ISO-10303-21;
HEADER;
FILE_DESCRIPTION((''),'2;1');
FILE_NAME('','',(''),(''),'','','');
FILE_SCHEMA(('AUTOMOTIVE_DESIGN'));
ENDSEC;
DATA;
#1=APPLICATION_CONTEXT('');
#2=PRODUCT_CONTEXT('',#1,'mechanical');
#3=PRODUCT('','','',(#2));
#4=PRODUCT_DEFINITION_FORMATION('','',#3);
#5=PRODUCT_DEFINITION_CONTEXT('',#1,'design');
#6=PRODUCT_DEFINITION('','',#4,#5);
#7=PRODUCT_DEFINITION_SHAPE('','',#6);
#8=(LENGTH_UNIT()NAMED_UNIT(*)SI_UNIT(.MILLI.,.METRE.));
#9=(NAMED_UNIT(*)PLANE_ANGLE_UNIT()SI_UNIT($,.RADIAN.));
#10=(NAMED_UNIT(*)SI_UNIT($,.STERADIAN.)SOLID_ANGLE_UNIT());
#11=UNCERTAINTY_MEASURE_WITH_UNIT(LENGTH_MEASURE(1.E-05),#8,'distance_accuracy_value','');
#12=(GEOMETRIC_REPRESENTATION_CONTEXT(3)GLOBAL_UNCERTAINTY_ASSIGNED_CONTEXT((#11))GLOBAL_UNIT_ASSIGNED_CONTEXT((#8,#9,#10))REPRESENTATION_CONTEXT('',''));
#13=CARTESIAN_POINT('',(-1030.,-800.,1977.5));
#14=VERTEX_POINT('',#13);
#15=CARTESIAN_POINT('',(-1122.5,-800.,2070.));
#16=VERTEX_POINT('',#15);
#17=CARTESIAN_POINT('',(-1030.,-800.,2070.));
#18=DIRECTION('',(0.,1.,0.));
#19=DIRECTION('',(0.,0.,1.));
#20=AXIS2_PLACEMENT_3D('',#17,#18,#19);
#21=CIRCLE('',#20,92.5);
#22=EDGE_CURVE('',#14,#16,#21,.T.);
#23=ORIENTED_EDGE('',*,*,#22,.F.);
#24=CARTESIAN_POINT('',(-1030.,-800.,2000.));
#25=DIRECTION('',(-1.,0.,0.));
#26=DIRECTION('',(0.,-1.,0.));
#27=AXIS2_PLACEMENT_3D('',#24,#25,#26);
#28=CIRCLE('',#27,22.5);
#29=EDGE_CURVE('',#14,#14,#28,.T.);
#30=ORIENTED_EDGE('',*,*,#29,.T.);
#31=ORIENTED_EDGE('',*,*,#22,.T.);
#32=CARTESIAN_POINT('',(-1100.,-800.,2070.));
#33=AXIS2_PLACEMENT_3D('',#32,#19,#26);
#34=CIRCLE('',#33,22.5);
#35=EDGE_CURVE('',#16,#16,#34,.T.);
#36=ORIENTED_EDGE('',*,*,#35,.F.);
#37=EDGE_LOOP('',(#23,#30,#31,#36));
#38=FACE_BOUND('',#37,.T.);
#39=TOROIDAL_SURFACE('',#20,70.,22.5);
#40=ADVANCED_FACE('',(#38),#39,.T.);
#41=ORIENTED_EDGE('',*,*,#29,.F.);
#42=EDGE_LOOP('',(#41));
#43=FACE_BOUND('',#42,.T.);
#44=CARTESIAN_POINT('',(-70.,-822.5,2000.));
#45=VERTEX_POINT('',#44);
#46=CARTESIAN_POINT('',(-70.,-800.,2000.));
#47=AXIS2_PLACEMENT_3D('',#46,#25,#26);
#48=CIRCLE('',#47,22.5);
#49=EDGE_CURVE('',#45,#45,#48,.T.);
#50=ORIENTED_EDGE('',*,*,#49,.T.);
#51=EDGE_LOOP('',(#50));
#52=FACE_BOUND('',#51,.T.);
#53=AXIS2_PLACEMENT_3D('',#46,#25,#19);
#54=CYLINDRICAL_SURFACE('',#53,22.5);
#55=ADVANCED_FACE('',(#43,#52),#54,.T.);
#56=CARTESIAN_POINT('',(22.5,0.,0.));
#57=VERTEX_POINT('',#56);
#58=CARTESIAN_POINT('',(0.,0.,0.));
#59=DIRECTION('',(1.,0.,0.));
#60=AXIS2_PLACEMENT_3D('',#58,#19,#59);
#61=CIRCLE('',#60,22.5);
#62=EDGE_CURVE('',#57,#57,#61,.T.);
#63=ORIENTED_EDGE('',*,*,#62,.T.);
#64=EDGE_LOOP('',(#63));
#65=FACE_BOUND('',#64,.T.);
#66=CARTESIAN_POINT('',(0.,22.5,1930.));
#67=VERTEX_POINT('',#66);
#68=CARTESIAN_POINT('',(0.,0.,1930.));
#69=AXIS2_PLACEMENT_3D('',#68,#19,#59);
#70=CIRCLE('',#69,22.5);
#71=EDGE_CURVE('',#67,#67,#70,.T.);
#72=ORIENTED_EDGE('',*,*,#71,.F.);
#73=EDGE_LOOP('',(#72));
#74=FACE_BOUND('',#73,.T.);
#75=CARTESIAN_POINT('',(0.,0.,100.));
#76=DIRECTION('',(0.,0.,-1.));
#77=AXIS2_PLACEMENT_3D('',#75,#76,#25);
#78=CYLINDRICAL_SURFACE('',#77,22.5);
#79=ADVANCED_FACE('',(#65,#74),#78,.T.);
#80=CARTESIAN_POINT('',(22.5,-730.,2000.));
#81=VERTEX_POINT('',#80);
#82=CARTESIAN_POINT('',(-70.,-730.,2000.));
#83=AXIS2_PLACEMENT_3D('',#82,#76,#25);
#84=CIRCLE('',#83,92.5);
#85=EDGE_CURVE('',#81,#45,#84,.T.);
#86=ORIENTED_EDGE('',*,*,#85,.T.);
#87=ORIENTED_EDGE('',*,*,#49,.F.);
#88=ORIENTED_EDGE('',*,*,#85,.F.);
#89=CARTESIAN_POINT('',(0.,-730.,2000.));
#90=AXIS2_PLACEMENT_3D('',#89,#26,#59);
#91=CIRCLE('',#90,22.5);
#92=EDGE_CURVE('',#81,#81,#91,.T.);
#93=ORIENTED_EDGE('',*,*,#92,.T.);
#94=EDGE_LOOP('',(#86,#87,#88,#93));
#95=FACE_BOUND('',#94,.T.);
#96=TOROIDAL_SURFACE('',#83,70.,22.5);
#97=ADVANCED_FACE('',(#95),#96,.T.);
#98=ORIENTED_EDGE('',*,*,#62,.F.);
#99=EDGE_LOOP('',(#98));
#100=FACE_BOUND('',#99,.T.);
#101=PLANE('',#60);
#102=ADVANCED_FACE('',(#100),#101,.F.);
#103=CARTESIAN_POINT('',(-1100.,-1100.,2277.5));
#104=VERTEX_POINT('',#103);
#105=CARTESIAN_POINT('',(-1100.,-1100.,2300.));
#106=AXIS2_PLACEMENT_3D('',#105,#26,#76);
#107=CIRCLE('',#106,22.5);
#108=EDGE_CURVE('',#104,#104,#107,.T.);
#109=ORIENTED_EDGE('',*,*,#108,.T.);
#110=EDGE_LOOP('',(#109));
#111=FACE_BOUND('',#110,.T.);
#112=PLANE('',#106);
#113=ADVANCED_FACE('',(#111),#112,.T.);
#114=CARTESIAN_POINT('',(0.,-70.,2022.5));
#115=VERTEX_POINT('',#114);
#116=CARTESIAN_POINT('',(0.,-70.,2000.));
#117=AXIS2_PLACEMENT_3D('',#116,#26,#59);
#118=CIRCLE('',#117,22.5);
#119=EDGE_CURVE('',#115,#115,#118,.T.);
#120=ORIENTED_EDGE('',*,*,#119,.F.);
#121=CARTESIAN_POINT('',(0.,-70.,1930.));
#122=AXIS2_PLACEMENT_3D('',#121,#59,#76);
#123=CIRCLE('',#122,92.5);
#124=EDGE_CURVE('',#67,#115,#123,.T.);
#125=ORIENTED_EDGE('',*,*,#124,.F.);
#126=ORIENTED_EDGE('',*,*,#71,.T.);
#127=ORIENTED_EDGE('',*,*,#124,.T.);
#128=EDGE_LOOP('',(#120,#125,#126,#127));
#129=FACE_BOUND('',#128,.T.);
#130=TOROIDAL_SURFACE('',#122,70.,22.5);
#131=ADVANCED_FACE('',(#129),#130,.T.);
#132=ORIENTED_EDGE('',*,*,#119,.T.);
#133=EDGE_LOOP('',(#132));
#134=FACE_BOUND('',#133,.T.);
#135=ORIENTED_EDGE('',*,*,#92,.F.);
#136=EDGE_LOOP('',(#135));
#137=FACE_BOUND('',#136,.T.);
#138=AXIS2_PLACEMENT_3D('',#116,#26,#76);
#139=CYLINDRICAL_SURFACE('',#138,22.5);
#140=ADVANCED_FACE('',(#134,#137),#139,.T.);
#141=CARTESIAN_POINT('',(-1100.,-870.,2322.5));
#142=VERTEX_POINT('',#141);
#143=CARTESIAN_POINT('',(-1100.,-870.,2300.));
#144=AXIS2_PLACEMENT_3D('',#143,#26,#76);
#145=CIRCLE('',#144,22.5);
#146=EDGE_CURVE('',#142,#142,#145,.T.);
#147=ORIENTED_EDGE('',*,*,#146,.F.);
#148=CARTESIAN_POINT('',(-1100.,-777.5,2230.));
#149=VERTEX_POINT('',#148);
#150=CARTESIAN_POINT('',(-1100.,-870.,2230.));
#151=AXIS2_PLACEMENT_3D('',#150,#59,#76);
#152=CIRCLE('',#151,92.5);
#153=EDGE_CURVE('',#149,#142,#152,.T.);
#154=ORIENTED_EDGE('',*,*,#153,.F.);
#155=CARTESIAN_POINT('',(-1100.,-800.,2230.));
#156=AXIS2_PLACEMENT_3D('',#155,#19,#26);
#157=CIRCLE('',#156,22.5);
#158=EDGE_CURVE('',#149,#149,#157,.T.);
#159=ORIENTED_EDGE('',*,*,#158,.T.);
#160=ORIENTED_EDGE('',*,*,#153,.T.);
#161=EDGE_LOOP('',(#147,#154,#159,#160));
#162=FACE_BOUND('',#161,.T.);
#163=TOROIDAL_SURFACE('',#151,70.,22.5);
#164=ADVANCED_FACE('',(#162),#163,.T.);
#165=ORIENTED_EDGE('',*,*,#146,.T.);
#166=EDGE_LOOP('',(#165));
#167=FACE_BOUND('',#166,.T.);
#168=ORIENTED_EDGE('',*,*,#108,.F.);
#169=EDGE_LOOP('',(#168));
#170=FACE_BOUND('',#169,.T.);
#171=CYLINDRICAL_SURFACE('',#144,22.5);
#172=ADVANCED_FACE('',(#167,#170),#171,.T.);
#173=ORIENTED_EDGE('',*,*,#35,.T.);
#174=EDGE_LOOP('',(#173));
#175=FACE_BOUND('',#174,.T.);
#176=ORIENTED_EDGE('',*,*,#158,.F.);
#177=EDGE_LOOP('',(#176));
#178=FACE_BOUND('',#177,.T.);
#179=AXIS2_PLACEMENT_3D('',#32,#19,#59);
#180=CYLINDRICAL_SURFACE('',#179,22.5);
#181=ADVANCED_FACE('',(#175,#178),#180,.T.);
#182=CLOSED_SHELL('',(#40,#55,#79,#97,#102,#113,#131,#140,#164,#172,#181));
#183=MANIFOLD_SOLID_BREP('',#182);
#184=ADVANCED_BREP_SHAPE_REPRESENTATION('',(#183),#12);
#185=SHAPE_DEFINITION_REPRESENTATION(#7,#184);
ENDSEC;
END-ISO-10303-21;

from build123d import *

# Parameters (mm, degrees)
CROQUIS1_R              = 22.5
SALIENTE_EXTRUIR1_DEPTH = 100
CROQUIS3_R              = 22.5


with BuildPart() as part:
    # Croquis1 → Saliente-Extruir1 (new body)
    with BuildSketch(Plane.XY):
        Circle(CROQUIS1_R)
    extrude(amount=SALIENTE_EXTRUIR1_DEPTH)

    # Barrer1: sweep along a curve in space
    with BuildLine() as barrer1_path:
        Line((0, 0, 100), (0, 0, 1930))
        ThreePointArc((0, 0, 1930), (0, -20.502525317, 1979.497474683), (0, -70, 2000))
        Line((0, -70, 2000), (0, -730, 2000))
        ThreePointArc((0, -730, 2000), (-20.502525317, -779.497474683, 2000), (-70, -800, 2000))
        Line((-70, -800, 2000), (-1030, -800, 2000))
        ThreePointArc((-1030, -800, 2000), (-1079.497474683, -800, 2020.502525317), (-1100, -800, 2070))
        Line((-1100, -800, 2070), (-1100, -800, 2230))
        ThreePointArc((-1100, -800, 2230), (-1100, -820.502525317, 2279.497474683), (-1100, -870, 2300))
        Line((-1100, -870, 2300), (-1100, -1100, 2300))
    # Croquis3 → Barrer1 (sweep)
    with BuildSketch(Plane.XY.offset(100)):
        Circle(CROQUIS3_R)
    sweep(path=barrer1_path.line)


solid = part.part
